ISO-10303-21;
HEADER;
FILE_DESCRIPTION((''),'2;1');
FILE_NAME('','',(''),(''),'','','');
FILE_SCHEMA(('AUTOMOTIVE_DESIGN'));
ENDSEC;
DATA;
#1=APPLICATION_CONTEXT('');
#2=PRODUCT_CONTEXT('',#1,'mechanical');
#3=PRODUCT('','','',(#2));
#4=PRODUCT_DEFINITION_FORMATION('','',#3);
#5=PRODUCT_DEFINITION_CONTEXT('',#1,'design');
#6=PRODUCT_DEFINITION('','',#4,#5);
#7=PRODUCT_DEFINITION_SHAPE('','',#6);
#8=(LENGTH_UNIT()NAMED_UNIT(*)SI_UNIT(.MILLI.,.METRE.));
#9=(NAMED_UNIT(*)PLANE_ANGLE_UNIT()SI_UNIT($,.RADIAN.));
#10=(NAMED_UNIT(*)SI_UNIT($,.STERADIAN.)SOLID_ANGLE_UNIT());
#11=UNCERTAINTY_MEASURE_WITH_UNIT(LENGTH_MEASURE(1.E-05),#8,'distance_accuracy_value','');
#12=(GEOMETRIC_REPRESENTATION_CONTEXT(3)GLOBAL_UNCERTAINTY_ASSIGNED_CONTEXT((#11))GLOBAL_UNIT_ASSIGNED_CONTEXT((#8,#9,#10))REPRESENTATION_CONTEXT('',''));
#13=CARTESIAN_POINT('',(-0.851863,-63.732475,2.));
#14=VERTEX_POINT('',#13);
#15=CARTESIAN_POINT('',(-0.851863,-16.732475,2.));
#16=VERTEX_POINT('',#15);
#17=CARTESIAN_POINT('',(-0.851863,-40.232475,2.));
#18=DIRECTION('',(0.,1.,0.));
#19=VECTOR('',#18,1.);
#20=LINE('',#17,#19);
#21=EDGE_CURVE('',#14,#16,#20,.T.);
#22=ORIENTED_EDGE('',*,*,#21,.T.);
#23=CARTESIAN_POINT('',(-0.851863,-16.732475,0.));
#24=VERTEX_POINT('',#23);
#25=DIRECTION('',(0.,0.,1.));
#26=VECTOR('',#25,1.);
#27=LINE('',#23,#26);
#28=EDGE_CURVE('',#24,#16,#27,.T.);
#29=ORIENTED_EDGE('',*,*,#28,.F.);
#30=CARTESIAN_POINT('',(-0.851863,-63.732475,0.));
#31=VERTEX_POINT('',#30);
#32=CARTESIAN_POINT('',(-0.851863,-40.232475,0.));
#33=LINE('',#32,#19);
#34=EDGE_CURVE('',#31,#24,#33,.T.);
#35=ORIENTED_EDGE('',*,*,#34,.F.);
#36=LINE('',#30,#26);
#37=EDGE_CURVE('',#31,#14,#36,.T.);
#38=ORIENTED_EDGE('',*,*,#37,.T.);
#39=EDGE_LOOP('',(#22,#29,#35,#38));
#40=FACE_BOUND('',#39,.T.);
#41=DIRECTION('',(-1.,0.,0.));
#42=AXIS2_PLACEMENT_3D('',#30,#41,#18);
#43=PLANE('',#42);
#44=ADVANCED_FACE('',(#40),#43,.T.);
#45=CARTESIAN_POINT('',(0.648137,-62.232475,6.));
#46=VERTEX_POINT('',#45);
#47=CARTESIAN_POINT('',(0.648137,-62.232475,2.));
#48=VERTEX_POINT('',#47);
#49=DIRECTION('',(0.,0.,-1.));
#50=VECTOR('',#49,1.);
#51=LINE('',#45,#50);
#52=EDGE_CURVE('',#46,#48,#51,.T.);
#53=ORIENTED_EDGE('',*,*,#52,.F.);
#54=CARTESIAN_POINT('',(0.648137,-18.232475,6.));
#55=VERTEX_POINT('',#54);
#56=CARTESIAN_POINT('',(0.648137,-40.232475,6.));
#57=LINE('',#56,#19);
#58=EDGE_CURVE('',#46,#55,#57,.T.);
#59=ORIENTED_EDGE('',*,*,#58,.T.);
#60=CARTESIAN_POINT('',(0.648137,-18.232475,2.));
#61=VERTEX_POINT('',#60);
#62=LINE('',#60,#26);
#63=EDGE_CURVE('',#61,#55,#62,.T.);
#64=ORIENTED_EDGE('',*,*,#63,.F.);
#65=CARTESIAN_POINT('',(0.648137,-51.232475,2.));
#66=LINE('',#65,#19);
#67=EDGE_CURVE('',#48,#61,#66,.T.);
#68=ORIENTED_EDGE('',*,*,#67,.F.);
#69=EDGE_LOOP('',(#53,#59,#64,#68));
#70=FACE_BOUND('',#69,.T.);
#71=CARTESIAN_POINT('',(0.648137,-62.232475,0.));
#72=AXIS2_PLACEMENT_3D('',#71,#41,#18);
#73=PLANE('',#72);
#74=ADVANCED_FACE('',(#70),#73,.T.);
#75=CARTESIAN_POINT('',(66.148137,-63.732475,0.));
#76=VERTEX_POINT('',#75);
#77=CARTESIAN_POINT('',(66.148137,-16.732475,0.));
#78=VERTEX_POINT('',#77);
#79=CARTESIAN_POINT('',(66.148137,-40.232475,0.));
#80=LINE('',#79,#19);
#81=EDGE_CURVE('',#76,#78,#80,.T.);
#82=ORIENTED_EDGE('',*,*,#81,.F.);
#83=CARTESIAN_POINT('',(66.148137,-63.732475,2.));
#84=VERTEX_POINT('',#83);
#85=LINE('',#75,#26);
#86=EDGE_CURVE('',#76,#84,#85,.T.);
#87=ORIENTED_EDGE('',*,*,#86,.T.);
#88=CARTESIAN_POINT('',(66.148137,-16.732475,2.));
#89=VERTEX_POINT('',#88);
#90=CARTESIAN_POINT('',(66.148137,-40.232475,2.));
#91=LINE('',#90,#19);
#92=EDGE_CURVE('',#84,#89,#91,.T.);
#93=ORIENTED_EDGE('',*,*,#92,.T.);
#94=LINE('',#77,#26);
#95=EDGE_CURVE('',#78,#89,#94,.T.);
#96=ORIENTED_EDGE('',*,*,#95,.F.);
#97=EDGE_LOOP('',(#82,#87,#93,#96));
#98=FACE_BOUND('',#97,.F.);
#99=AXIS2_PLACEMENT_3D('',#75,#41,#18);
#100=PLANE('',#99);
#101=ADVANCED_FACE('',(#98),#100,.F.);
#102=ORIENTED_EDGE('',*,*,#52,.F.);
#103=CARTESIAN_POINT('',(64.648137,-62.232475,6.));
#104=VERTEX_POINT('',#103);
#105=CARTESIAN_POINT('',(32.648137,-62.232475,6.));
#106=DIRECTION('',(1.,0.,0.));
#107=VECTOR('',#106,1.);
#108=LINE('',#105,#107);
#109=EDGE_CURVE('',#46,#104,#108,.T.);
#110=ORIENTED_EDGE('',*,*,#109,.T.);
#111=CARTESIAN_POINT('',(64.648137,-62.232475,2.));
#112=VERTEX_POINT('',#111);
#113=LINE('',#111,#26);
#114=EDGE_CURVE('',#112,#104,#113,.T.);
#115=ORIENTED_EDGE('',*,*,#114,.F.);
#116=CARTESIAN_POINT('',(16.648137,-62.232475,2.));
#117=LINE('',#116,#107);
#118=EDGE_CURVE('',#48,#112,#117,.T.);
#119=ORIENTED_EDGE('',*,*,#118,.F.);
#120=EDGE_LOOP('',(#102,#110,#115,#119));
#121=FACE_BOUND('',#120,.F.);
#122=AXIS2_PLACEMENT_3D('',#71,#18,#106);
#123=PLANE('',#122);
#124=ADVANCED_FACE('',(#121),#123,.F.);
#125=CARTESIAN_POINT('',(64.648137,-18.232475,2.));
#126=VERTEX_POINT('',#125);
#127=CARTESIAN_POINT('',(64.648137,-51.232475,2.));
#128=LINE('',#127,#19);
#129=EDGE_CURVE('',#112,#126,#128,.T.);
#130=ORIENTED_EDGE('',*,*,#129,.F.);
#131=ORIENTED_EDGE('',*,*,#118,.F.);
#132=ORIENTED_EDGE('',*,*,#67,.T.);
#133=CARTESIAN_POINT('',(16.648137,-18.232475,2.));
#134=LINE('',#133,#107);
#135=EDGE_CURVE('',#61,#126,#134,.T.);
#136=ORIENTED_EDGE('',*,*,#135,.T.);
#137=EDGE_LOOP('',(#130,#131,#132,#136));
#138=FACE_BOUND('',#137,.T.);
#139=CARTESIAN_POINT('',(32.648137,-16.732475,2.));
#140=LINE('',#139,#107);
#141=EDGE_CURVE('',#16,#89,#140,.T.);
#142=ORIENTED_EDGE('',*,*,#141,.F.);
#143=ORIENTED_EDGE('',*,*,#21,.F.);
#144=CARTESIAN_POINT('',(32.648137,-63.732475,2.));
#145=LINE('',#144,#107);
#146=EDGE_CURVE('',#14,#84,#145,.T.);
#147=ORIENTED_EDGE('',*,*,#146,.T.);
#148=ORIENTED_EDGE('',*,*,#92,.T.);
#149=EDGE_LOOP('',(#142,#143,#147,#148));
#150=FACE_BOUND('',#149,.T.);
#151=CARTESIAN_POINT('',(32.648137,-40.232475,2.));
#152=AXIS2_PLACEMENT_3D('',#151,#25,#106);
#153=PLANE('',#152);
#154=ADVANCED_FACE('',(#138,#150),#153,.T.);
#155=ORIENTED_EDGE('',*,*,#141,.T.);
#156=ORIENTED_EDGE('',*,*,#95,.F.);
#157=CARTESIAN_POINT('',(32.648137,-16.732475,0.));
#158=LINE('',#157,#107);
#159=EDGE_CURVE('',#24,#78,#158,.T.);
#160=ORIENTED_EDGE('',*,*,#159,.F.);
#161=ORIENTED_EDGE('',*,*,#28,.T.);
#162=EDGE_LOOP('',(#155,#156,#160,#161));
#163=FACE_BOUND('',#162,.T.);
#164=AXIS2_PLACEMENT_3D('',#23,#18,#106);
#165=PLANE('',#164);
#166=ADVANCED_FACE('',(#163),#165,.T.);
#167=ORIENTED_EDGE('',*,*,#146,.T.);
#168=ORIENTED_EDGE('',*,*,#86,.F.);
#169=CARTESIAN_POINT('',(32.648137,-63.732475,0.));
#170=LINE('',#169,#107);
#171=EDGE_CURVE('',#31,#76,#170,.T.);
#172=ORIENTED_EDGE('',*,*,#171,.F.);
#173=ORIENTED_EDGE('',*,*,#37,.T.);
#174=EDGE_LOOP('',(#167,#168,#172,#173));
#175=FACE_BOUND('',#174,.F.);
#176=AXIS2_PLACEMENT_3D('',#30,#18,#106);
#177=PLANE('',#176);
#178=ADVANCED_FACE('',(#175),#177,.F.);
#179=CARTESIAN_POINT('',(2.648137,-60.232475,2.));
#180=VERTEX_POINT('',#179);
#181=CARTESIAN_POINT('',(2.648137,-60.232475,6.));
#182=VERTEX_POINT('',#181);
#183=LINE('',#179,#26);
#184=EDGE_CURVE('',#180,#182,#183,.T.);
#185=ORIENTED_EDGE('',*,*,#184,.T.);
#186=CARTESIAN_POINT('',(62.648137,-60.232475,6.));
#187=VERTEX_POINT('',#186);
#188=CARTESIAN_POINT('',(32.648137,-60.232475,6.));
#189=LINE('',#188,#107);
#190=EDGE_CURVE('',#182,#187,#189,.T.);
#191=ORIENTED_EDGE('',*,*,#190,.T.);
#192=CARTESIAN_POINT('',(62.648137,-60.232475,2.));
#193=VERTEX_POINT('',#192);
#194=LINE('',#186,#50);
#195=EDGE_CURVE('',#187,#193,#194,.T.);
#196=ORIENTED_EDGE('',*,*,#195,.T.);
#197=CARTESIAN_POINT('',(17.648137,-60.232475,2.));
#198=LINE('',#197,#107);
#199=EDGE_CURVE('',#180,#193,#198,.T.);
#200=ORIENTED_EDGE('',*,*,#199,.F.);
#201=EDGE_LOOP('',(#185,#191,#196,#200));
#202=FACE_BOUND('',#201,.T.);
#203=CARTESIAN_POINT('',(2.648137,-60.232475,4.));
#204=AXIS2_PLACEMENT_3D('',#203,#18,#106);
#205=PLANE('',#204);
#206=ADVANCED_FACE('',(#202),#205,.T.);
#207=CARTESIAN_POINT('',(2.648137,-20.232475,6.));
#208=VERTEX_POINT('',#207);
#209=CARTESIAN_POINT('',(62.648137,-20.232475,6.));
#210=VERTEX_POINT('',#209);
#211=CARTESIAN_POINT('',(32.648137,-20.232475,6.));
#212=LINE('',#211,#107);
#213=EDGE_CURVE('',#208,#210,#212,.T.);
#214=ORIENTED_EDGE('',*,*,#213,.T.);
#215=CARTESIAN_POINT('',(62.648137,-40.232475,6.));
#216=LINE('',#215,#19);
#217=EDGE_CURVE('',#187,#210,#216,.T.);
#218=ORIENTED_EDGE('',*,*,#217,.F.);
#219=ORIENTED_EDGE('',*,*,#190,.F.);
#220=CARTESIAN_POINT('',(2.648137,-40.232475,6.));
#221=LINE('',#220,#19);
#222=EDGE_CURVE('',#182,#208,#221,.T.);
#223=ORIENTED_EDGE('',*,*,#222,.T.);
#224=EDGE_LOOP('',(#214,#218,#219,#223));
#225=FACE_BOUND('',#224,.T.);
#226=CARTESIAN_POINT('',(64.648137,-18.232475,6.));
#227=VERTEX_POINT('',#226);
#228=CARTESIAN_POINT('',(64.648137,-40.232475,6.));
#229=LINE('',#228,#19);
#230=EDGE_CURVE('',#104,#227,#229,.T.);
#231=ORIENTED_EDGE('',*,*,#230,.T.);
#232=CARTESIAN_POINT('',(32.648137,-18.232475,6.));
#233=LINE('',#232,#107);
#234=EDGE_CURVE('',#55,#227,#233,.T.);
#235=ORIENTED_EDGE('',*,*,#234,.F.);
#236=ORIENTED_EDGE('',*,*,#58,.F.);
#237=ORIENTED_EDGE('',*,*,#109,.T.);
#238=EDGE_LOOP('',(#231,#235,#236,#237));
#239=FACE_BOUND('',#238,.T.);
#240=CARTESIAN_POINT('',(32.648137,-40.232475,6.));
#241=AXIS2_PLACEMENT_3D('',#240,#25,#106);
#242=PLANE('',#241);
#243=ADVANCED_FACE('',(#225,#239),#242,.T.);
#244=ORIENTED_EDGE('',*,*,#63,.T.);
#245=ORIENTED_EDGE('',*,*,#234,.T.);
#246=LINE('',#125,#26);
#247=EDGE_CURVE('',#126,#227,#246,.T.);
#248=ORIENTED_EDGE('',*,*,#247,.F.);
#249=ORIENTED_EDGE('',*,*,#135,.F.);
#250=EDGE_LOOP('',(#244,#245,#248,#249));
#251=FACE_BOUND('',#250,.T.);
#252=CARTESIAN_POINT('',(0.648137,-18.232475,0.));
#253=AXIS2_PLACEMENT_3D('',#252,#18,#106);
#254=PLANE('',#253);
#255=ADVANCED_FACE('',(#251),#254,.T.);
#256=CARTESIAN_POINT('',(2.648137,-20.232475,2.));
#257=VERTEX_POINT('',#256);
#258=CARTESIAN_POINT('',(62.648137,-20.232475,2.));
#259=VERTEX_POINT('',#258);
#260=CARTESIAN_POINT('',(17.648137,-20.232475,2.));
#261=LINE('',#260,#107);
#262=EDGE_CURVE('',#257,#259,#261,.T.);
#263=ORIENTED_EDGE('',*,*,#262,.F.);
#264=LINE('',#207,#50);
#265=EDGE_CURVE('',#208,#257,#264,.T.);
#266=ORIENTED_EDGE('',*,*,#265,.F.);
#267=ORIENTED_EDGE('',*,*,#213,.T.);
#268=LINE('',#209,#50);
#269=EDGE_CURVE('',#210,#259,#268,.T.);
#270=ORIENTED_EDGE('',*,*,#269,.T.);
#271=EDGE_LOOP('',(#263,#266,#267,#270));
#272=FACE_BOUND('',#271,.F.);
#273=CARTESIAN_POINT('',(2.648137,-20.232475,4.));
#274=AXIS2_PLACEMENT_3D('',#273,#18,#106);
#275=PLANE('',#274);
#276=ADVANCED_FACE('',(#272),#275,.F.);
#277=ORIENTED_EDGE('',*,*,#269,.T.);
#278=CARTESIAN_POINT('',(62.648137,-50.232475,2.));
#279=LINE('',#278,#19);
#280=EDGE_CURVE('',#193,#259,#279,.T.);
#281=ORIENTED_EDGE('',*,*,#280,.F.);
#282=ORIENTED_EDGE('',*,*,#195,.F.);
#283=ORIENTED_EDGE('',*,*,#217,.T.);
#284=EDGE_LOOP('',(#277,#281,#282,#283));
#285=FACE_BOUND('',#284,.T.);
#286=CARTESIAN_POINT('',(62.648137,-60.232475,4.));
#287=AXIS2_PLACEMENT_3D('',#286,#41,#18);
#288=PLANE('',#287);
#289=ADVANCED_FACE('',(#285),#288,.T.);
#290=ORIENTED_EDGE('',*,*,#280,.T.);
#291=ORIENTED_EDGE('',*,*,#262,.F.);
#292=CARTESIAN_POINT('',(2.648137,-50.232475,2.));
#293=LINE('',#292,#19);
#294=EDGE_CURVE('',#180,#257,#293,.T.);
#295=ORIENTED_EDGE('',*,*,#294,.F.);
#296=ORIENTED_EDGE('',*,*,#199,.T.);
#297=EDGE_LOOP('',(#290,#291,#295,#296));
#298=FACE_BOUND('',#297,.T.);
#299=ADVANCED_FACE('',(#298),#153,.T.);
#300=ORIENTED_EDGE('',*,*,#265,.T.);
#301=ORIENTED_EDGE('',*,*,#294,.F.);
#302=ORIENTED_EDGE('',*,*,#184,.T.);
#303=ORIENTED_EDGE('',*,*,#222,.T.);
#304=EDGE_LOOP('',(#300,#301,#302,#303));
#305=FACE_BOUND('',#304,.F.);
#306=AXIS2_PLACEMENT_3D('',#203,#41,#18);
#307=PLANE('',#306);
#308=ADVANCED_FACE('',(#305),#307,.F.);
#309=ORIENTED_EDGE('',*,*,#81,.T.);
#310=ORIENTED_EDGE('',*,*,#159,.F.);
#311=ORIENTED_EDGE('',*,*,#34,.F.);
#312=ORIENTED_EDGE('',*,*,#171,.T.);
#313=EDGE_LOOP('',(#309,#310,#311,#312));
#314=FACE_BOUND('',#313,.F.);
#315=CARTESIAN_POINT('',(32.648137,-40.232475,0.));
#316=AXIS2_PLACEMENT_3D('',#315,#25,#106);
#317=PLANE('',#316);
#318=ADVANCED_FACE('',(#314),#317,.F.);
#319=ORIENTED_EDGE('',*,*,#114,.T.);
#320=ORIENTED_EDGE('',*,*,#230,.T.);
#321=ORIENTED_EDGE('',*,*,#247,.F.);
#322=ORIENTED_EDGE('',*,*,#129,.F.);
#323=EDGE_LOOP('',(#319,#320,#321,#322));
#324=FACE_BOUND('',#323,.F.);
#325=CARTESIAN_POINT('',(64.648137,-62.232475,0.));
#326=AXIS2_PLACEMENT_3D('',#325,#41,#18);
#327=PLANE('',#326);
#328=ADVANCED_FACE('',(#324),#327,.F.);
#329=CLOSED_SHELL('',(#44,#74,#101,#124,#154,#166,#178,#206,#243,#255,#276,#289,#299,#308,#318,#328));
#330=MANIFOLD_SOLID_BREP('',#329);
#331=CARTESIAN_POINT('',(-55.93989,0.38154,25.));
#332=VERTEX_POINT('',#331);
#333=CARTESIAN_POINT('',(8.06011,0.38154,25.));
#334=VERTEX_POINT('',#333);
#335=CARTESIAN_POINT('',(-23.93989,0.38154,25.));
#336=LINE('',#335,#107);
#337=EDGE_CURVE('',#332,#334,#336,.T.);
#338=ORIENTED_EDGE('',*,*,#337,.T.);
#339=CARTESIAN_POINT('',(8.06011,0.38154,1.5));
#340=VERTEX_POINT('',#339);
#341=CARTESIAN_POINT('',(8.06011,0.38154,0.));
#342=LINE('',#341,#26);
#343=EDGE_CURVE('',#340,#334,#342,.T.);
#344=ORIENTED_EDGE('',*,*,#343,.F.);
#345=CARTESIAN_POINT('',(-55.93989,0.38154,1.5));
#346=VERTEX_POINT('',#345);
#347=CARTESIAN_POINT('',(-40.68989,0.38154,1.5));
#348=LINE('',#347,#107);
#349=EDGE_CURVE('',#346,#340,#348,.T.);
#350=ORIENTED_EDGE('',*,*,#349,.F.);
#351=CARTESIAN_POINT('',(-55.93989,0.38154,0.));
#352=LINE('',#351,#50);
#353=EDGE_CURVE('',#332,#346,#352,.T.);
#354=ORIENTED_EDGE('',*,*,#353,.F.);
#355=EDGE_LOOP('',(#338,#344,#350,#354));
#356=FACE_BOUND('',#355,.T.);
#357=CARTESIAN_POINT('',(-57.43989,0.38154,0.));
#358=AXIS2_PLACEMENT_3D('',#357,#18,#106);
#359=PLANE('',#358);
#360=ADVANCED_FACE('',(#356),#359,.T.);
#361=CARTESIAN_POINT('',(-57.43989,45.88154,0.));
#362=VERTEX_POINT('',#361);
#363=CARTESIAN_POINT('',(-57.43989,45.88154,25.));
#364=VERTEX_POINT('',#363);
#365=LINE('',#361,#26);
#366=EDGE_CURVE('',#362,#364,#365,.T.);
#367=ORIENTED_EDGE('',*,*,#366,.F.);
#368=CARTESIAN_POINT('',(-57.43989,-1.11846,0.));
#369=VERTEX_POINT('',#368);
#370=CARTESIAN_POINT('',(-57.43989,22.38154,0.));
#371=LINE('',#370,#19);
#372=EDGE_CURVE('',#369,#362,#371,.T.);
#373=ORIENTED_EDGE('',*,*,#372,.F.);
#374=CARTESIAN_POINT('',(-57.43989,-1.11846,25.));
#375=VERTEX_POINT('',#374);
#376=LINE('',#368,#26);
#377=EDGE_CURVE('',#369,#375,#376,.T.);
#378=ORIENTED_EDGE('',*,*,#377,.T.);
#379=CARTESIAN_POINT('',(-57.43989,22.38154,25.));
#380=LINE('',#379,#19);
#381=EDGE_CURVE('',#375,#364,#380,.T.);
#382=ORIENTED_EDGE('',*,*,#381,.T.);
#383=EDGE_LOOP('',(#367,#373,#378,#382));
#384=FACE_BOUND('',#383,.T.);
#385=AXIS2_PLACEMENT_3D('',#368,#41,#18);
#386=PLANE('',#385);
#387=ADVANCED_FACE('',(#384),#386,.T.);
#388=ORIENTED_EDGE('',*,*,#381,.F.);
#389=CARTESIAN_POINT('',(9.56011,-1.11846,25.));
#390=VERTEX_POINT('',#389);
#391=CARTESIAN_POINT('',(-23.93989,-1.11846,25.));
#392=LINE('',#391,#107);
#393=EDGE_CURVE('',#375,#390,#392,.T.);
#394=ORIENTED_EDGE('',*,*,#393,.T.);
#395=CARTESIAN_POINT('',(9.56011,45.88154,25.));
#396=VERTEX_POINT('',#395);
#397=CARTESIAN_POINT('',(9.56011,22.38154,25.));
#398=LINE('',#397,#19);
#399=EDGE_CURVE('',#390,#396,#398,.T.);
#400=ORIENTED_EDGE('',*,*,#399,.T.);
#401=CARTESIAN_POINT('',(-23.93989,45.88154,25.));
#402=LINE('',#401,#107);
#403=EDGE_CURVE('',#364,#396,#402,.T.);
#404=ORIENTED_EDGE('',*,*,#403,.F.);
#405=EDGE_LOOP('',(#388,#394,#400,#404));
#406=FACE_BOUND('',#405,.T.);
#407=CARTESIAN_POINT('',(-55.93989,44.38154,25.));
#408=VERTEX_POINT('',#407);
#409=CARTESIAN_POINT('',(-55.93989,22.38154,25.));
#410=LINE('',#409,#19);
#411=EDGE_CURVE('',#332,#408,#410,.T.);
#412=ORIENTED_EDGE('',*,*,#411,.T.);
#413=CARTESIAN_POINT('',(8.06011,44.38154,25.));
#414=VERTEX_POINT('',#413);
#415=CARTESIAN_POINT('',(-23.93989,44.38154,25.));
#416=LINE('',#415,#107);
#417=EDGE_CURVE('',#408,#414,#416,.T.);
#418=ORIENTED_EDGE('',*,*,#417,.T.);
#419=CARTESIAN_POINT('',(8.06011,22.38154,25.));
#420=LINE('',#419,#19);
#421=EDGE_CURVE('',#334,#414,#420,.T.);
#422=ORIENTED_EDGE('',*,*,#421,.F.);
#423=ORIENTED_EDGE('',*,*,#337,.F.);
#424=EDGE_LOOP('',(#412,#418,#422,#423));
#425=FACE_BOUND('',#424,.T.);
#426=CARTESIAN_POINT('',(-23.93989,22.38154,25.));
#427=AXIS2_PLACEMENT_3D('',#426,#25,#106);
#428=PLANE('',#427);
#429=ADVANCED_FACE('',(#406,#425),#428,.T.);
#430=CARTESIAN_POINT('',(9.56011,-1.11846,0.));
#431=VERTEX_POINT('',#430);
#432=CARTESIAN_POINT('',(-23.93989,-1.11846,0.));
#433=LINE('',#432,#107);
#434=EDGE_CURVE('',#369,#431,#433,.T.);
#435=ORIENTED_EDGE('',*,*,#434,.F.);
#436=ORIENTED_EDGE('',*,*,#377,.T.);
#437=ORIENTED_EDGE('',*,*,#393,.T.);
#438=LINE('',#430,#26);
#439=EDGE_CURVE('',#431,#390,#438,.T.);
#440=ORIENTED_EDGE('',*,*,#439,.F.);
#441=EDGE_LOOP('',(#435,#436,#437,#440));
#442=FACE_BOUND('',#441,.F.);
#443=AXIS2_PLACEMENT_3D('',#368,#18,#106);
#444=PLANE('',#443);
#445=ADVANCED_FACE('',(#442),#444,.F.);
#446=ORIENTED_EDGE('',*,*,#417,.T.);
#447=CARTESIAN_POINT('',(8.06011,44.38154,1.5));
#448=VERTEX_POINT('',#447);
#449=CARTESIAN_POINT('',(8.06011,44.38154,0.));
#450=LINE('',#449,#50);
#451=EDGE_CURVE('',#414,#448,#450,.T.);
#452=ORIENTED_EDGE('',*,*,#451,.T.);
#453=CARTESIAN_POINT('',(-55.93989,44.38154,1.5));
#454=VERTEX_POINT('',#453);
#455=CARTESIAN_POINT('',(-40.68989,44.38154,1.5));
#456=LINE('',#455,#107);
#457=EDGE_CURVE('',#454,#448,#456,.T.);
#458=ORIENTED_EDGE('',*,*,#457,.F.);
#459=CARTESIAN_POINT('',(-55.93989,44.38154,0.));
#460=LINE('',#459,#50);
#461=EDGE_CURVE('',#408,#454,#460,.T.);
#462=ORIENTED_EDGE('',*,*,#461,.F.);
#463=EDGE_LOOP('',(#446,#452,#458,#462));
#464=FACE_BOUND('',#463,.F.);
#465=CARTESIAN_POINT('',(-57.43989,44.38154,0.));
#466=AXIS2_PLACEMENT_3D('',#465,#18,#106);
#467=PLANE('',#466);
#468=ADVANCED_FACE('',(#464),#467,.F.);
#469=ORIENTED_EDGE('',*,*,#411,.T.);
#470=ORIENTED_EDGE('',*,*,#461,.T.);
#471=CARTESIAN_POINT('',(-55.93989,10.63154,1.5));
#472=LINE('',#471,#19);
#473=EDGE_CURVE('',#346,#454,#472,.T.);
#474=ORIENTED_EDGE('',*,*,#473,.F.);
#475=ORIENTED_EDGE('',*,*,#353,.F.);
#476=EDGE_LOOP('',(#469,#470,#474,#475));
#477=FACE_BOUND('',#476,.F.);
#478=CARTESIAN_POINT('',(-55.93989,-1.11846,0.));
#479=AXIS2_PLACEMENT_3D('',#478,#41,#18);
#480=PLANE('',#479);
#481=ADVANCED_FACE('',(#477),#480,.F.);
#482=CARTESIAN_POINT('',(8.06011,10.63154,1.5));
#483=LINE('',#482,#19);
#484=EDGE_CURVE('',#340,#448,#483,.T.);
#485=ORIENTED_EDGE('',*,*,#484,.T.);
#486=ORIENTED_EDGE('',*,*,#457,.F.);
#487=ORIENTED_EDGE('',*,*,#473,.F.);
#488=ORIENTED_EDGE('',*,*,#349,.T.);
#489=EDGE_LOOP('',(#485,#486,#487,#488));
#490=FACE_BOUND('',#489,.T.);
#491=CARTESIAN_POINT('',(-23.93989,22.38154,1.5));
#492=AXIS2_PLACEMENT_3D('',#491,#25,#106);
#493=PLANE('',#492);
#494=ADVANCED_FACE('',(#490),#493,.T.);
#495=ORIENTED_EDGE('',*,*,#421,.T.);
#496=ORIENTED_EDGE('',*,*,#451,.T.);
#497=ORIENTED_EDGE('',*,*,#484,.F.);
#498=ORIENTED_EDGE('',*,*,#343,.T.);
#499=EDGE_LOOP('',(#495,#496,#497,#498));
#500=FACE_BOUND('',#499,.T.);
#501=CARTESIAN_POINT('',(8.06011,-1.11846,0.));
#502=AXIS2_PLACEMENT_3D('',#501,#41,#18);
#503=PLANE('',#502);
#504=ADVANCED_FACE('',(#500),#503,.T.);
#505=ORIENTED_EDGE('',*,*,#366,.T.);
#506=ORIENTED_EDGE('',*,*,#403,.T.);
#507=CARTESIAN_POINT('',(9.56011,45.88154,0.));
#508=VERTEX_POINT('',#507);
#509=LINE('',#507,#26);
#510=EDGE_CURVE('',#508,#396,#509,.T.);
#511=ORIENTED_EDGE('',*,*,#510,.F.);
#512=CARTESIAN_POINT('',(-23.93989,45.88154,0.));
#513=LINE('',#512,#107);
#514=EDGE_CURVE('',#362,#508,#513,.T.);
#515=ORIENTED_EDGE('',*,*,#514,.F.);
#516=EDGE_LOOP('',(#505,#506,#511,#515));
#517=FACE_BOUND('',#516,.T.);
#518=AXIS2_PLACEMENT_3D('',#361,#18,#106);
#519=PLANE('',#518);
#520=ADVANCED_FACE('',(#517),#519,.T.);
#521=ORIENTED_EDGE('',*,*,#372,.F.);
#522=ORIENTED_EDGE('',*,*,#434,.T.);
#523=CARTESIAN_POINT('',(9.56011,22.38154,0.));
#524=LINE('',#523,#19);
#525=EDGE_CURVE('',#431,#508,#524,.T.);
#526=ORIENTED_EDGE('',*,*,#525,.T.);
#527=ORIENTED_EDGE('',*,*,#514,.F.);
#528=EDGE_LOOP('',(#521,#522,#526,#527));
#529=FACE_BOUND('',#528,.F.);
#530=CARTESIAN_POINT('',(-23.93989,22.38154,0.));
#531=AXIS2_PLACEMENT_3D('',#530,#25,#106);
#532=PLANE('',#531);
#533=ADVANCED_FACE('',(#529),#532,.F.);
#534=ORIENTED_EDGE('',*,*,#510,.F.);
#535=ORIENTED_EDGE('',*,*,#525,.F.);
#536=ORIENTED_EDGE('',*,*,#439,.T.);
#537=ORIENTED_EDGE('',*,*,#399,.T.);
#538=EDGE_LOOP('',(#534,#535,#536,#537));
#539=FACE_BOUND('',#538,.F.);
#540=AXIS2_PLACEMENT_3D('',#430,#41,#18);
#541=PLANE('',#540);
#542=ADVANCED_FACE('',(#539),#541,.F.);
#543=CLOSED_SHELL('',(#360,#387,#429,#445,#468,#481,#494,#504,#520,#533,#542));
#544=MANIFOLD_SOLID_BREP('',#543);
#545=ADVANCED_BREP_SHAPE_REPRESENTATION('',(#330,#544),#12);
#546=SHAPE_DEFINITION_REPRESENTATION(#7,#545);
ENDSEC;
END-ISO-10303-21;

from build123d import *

# Parameters (mm, degrees)
F0_W        = 67
F0_H        = 47
F1_DEPTH    = 25
F2_T        = -1.5
F3_W        = 64
F3_H        = 44
F3_W_2      = 60
F3_H_2      = 40
F4_DEPTH    = 4
F3_W_3      = 67
F3_H_3      = 47
F4_FACE_W   = 64
F4_FACE_H   = 44
F4_FACE_W_2 = 60
F4_FACE_H_2 = 40
F5_DEPTH    = 2


with BuildPart() as f1:
    # F0 (on Top) → F1 (new body)
    with BuildSketch(Plane.XY):
        with Locations((-23.9398897778, 22.3815400898)):
            Rectangle(F0_W, F0_H)
    extrude(amount=F1_DEPTH)

    # F2
    f2_openings = [f1.faces().sort_by_distance(p)[0] for p in [
        (-23.93989, 22.38154, 25),
    ]]
    offset(amount=F2_T, openings=f2_openings)


with BuildPart() as f4:
    # F3 (on Top) → F4 (new body)
    with BuildSketch(Plane.XY):
        with Locations((32.6481368393, -40.2324752252)):
            Rectangle(F3_W, F3_H)
        with Locations((32.6481368393, -40.2324752252)):
            Rectangle(F3_W_2, F3_H_2, mode=Mode.SUBTRACT)
    extrude(amount=F4_DEPTH)

    # F3 (on Top) + F4_face (on face) → F5 (join)
    with BuildSketch(Plane.XY):
        with Locations((32.6481368393, -40.2324752252)):
            Rectangle(F3_W_3, F3_H_3)
        with Locations((32.6481368393, -40.2324752252)):
            Rectangle(F3_W, F3_H, mode=Mode.SUBTRACT)
        with Locations((32.6481368393, -40.2324752252)):
            Rectangle(F3_W, F3_H)
        with Locations((32.6481368393, -40.2324752252)):
            Rectangle(F3_W_2, F3_H_2, mode=Mode.SUBTRACT)
        with Locations((32.6481368393, -40.2324752252)):
            Rectangle(F3_W_2, F3_H_2)
    with BuildSketch(Plane(origin=(32.6481368393, -40.2324752252, 4), x_dir=(1, 0, 0), z_dir=(0, 0, 1))):
        Rectangle(F4_FACE_W, F4_FACE_H)
        Rectangle(F4_FACE_W_2, F4_FACE_H_2, mode=Mode.SUBTRACT)
    extrude(amount=F5_DEPTH)


solid = Compound([f1.part, f4.part])
